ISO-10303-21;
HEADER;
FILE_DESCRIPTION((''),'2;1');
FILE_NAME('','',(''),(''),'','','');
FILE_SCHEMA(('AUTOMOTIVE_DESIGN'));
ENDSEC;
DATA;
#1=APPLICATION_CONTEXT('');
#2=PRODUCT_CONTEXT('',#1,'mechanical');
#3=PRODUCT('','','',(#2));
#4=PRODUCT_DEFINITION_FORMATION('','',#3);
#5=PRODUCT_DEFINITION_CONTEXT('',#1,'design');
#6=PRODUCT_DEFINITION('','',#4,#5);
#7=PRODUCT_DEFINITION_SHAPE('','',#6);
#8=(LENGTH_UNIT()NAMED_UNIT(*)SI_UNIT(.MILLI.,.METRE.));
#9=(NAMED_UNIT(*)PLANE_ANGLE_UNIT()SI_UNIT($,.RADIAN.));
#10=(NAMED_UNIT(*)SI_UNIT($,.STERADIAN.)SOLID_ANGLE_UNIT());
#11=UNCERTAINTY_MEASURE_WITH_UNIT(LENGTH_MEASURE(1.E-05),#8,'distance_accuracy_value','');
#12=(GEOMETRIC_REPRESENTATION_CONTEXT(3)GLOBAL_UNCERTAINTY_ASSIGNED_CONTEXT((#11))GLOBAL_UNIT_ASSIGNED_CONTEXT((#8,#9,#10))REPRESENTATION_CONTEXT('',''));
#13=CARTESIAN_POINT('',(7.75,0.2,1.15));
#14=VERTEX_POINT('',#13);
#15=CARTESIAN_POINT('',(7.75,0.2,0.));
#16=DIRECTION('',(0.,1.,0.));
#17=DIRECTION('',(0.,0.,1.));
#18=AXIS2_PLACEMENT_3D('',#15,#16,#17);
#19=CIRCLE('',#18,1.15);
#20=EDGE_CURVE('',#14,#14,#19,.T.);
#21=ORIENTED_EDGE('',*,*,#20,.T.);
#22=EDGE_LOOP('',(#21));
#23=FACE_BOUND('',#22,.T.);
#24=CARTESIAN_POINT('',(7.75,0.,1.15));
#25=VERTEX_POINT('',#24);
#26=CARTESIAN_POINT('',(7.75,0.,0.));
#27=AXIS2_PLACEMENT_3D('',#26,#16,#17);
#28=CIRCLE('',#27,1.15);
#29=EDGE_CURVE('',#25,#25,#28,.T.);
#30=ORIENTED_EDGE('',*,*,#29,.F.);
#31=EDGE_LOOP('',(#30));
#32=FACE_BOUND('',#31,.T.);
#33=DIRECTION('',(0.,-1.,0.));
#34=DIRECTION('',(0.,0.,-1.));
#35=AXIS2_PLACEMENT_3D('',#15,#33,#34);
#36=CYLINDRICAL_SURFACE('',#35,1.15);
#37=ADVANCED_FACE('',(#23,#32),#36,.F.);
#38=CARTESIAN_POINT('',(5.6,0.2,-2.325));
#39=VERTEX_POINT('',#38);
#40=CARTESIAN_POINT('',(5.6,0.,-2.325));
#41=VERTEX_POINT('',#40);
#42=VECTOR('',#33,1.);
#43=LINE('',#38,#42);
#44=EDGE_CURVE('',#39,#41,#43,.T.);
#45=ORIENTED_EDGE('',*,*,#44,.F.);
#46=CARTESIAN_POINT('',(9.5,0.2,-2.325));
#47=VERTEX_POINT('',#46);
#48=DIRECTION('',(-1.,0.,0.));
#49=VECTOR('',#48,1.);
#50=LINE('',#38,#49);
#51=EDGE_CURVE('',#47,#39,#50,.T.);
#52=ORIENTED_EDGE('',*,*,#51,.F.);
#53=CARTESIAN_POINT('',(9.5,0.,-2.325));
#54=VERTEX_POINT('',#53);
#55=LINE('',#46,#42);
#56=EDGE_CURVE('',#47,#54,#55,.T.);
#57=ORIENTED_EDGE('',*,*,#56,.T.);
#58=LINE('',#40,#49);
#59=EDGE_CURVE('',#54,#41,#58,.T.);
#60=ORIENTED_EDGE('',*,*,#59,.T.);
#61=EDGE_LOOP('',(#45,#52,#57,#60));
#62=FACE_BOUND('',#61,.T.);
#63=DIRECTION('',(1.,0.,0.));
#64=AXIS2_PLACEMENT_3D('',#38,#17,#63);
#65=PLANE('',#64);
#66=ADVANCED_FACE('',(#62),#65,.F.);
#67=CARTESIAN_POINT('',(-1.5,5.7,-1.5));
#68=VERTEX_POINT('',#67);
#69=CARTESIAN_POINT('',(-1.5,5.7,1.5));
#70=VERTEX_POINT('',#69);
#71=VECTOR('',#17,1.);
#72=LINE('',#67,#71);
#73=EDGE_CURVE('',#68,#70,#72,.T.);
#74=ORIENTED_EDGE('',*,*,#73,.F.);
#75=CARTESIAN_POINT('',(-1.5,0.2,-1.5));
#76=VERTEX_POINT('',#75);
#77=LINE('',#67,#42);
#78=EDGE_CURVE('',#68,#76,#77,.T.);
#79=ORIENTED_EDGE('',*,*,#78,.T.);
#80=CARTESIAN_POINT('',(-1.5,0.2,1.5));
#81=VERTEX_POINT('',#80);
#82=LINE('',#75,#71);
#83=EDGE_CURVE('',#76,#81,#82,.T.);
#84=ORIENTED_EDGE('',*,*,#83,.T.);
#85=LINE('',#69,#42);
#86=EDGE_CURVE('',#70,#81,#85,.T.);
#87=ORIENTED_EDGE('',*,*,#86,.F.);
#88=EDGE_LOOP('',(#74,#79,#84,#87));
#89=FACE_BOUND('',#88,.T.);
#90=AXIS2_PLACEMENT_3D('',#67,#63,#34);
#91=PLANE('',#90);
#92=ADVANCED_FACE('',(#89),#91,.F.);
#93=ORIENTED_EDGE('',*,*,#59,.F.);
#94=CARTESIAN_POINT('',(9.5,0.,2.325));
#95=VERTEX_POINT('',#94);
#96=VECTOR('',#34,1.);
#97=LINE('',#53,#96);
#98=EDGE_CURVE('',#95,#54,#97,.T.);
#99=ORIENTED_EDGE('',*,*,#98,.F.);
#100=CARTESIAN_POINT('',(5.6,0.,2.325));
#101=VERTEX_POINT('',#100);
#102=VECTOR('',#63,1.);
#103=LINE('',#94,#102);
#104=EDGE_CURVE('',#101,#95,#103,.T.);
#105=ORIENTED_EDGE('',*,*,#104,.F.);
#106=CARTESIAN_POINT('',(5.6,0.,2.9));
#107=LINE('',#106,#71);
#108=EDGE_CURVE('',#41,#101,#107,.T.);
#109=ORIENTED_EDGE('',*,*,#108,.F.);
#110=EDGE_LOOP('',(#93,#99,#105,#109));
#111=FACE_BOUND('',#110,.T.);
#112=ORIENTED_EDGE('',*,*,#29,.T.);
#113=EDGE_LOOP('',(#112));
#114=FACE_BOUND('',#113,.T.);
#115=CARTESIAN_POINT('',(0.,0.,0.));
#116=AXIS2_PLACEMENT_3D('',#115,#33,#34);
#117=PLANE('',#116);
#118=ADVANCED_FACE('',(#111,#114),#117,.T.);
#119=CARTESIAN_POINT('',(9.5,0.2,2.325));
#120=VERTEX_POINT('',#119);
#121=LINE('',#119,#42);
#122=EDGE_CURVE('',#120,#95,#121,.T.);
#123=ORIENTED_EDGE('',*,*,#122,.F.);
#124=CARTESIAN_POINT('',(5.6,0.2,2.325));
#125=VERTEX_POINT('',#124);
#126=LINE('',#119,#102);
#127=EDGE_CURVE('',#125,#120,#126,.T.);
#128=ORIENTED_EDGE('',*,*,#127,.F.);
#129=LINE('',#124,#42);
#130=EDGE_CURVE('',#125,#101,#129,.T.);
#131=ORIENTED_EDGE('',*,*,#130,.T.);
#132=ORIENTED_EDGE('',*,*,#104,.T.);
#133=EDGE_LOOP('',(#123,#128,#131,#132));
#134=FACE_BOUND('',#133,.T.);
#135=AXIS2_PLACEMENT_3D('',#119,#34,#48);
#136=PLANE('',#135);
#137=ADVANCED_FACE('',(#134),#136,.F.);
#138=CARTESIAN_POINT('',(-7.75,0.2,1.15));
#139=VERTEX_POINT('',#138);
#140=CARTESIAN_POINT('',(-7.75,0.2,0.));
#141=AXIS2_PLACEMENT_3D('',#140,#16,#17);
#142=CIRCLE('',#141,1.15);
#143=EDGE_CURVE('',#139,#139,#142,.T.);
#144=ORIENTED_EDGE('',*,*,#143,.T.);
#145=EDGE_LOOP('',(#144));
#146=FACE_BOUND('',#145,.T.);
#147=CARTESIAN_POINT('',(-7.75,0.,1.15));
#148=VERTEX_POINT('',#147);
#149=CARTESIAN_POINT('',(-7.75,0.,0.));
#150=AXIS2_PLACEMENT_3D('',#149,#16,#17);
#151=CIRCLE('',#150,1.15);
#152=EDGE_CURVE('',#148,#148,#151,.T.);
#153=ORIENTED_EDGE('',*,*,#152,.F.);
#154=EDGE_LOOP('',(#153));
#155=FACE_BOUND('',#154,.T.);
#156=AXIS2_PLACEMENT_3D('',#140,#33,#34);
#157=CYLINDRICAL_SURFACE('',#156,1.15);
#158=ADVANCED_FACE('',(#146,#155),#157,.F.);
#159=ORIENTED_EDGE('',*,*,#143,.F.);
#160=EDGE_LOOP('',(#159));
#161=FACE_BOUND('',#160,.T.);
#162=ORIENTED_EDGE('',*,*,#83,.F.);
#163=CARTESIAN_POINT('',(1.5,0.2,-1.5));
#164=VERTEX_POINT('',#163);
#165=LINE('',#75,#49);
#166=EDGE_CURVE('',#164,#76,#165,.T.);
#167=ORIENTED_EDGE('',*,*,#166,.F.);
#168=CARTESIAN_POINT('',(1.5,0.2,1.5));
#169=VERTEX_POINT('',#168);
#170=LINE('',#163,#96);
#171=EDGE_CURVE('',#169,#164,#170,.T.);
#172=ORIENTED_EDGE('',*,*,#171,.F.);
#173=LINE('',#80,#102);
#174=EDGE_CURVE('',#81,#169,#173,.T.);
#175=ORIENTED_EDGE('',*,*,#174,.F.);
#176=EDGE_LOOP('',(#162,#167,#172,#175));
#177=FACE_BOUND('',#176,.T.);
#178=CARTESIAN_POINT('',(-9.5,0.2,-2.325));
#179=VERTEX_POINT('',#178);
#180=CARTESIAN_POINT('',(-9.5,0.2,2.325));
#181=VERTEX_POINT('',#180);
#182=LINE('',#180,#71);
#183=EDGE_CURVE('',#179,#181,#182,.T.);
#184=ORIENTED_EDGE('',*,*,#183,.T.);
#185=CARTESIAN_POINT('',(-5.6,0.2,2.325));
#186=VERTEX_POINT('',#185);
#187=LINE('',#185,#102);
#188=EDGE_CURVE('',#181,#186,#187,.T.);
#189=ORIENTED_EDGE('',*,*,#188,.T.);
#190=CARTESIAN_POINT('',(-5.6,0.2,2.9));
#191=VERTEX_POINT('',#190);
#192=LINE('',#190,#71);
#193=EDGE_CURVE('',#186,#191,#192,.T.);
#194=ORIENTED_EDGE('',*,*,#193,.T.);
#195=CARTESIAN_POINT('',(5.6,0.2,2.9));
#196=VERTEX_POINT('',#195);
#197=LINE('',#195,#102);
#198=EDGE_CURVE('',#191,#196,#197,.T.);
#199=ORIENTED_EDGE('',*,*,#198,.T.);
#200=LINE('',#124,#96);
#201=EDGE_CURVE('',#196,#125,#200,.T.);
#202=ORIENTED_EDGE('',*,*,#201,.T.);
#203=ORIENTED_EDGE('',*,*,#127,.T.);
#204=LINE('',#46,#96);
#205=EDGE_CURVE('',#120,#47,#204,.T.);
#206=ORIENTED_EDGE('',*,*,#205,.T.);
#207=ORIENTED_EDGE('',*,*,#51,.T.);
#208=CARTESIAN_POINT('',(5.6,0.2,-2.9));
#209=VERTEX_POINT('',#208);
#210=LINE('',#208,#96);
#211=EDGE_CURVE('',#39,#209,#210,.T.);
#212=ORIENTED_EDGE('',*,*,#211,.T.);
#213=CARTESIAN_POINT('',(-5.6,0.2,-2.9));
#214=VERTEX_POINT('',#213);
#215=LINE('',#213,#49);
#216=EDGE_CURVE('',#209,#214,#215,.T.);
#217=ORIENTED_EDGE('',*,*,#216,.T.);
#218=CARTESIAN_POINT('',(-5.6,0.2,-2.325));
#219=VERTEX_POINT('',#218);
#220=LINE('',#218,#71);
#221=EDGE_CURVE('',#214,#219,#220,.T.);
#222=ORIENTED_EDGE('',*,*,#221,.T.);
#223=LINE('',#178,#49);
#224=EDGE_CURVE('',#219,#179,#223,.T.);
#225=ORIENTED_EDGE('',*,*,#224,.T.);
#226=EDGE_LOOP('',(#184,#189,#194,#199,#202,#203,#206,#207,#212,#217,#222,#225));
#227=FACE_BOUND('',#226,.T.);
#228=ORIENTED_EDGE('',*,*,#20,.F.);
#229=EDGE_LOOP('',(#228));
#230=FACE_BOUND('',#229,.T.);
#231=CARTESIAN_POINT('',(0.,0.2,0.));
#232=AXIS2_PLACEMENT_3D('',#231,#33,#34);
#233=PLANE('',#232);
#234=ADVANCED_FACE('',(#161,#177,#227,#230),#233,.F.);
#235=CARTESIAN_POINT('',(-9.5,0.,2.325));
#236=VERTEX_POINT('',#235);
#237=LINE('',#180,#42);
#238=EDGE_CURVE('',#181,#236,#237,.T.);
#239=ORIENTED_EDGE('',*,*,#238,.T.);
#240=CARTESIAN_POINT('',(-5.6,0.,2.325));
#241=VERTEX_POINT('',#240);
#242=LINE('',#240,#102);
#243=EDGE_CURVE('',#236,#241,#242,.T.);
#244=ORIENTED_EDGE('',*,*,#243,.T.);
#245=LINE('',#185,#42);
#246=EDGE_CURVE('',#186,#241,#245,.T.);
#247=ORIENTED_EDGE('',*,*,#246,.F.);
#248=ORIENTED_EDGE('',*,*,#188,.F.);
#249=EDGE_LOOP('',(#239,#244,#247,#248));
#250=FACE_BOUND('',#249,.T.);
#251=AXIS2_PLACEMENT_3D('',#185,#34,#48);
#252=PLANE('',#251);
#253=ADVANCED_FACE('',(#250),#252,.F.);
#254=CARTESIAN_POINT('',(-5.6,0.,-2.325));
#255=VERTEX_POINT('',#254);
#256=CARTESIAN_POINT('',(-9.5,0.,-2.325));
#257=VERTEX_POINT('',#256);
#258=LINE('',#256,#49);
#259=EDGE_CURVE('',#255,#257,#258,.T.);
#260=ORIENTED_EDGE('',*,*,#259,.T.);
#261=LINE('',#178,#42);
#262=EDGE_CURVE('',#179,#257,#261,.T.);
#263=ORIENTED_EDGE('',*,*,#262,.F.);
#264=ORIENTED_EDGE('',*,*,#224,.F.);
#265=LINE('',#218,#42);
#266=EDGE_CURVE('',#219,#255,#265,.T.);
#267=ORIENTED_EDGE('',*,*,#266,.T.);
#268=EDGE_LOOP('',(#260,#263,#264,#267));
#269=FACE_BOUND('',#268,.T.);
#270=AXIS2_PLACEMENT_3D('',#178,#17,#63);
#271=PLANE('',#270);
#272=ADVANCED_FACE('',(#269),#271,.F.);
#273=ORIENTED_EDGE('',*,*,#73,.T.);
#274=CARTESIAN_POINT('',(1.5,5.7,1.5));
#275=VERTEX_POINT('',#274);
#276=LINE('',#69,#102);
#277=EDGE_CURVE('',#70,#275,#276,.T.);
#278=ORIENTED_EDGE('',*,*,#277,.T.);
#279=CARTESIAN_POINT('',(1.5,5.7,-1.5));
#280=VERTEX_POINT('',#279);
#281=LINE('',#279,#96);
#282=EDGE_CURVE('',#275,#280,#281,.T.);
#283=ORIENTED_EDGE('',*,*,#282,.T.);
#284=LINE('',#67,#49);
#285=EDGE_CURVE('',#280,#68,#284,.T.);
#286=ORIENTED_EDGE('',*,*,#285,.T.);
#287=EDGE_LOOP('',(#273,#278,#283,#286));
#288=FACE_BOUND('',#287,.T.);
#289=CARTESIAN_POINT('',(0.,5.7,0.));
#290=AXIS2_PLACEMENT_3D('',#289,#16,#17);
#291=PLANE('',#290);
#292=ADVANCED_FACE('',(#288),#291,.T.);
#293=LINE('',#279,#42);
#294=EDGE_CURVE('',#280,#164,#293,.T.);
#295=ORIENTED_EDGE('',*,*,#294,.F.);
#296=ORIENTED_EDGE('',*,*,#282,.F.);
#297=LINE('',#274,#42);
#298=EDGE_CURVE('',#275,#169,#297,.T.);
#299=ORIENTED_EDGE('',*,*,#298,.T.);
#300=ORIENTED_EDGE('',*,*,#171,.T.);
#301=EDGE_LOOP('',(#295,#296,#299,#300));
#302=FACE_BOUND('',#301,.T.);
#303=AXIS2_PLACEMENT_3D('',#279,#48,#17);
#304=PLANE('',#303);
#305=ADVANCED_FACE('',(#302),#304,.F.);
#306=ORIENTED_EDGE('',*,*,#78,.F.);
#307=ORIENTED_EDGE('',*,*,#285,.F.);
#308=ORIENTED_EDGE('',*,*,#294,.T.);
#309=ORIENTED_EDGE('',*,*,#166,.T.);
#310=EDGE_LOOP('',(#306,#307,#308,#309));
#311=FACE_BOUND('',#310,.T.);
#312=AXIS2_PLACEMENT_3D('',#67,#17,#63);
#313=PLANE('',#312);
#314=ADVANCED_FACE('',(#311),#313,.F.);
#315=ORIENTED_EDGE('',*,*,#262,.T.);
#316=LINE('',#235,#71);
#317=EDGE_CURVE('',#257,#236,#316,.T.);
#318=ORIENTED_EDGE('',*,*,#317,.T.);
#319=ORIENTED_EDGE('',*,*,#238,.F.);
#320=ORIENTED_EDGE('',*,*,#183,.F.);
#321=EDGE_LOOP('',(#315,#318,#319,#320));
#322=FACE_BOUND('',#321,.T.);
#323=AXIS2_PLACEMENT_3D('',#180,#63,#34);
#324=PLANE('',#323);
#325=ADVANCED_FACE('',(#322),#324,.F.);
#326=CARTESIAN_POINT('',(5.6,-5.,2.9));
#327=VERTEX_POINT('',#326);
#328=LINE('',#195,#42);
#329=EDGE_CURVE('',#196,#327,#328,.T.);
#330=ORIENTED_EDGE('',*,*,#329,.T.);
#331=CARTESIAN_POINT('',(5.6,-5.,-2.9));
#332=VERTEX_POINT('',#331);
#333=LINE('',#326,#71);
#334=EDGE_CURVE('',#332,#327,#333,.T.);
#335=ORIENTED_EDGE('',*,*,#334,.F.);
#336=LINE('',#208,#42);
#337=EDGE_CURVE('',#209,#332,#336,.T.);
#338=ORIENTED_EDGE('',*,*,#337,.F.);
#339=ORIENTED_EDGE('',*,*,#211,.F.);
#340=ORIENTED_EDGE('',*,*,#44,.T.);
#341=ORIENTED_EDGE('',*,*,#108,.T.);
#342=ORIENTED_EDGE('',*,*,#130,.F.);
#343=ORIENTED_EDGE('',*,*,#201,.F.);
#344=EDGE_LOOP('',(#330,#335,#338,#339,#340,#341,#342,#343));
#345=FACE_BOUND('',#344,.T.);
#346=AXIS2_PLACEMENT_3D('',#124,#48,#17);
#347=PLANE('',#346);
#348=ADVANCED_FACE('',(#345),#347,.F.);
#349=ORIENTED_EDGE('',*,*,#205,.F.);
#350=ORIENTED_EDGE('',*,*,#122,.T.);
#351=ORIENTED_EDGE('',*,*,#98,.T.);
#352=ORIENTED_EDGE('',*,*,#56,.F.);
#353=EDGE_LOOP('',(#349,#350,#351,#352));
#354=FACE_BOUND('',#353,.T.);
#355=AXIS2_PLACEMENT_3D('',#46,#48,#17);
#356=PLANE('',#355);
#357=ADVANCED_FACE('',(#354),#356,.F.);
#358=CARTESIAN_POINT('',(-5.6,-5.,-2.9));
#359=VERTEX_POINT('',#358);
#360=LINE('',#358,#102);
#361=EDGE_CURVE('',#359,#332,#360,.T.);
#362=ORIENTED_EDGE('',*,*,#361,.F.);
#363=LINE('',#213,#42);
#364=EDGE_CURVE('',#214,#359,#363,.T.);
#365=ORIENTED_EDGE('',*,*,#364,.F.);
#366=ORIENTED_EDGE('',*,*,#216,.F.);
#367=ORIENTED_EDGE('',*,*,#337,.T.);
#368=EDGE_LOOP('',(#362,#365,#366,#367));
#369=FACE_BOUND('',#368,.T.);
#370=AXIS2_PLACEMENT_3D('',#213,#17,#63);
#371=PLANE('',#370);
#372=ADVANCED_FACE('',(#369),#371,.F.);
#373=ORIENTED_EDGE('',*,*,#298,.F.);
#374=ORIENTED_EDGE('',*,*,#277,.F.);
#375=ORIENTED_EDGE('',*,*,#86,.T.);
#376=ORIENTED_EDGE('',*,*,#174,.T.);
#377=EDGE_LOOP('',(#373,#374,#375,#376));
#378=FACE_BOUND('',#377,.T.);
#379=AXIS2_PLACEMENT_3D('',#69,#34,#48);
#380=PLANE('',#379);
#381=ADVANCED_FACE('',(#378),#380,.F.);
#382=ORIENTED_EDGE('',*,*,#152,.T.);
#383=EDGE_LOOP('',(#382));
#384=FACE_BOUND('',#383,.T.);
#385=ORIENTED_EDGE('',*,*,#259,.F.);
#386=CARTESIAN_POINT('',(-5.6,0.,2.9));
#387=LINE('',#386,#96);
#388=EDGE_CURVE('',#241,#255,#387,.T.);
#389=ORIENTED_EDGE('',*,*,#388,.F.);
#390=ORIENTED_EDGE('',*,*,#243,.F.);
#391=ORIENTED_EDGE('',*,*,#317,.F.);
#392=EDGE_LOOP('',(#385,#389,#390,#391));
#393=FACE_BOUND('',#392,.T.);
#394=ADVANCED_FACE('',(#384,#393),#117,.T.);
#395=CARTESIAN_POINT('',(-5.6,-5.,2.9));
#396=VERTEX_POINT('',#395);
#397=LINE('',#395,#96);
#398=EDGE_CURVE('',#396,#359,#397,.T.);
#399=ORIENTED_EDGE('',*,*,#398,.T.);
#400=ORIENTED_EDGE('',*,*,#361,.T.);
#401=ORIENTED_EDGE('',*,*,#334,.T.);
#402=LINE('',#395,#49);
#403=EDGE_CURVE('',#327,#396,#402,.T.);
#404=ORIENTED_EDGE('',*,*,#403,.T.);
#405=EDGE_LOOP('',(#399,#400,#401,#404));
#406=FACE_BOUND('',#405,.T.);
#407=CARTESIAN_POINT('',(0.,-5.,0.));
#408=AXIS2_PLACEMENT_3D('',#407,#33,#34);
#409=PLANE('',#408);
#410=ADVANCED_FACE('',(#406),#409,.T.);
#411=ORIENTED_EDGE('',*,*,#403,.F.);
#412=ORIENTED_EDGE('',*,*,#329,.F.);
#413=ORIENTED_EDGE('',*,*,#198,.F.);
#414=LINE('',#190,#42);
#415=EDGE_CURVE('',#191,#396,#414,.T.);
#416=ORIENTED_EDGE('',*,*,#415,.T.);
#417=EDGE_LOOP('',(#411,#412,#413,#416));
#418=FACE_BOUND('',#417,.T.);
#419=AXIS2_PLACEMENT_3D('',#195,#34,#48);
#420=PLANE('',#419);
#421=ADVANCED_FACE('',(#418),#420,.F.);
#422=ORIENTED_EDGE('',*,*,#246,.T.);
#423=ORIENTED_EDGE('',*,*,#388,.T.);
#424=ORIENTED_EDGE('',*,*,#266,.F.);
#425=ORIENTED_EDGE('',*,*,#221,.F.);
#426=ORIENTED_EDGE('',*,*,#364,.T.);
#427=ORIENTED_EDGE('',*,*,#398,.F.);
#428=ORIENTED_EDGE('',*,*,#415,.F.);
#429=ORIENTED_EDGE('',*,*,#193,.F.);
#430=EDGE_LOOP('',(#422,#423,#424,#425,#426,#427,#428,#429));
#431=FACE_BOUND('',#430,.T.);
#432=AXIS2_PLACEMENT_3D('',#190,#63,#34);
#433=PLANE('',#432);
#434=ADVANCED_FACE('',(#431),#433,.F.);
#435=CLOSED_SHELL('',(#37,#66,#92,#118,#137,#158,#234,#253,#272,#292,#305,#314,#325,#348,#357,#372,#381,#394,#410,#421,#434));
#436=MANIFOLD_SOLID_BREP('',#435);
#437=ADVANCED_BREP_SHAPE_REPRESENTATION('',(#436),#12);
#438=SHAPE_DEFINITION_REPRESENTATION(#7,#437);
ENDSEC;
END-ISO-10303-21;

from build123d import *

# Parameters (mm, degrees)
SKETCH1_R           = 1.15
BOSS_EXTRUDE1_DEPTH = 0.2
SKETCH2_W           = 11.2
SKETCH2_H           = 5.8
BOSS_EXTRUDE2_DEPTH = 5
SKETCH3_W           = 3
SKETCH3_H           = 3
BOSS_EXTRUDE3_DEPTH = 5.5


with BuildPart() as part:
    # Sketch1 → Boss-Extrude1 (new body)
    with BuildSketch(Plane(origin=(0, 0, 0), x_dir=(1, 0, 0), z_dir=(0, 1, 0))):
        Polygon((9.5, 2.325), (9.5, -2.325), (5.6, -2.325), (5.6, -2.9), (-5.6, -2.9), (-5.6, -2.325), (-9.5, -2.325), (-9.5, 2.325), (-5.6, 2.325), (-5.6, 2.9), (5.6, 2.9), (5.6, 2.325), align=None)
        with Locations(Location((-7.75, 0, 0), (0, 0, 270))):
            Circle(SKETCH1_R, mode=Mode.SUBTRACT)
        with Locations(Location((7.75, 0, 0), (0, 0, 270))):
            Circle(SKETCH1_R, mode=Mode.SUBTRACT)
    extrude(amount=BOSS_EXTRUDE1_DEPTH)

    # Sketch2 → Boss-Extrude2 (add)
    with BuildSketch(Plane.XZ):
        Rectangle(SKETCH2_W, SKETCH2_H)
    extrude(amount=BOSS_EXTRUDE2_DEPTH)

    # Sketch3 → Boss-Extrude3 (add)
    with BuildSketch(Plane(origin=(0, 0.2, 0), x_dir=(1, 0, 0), z_dir=(0, 1, 0))):
        Rectangle(SKETCH3_W, SKETCH3_H)
    extrude(amount=BOSS_EXTRUDE3_DEPTH)


solid = part.part
